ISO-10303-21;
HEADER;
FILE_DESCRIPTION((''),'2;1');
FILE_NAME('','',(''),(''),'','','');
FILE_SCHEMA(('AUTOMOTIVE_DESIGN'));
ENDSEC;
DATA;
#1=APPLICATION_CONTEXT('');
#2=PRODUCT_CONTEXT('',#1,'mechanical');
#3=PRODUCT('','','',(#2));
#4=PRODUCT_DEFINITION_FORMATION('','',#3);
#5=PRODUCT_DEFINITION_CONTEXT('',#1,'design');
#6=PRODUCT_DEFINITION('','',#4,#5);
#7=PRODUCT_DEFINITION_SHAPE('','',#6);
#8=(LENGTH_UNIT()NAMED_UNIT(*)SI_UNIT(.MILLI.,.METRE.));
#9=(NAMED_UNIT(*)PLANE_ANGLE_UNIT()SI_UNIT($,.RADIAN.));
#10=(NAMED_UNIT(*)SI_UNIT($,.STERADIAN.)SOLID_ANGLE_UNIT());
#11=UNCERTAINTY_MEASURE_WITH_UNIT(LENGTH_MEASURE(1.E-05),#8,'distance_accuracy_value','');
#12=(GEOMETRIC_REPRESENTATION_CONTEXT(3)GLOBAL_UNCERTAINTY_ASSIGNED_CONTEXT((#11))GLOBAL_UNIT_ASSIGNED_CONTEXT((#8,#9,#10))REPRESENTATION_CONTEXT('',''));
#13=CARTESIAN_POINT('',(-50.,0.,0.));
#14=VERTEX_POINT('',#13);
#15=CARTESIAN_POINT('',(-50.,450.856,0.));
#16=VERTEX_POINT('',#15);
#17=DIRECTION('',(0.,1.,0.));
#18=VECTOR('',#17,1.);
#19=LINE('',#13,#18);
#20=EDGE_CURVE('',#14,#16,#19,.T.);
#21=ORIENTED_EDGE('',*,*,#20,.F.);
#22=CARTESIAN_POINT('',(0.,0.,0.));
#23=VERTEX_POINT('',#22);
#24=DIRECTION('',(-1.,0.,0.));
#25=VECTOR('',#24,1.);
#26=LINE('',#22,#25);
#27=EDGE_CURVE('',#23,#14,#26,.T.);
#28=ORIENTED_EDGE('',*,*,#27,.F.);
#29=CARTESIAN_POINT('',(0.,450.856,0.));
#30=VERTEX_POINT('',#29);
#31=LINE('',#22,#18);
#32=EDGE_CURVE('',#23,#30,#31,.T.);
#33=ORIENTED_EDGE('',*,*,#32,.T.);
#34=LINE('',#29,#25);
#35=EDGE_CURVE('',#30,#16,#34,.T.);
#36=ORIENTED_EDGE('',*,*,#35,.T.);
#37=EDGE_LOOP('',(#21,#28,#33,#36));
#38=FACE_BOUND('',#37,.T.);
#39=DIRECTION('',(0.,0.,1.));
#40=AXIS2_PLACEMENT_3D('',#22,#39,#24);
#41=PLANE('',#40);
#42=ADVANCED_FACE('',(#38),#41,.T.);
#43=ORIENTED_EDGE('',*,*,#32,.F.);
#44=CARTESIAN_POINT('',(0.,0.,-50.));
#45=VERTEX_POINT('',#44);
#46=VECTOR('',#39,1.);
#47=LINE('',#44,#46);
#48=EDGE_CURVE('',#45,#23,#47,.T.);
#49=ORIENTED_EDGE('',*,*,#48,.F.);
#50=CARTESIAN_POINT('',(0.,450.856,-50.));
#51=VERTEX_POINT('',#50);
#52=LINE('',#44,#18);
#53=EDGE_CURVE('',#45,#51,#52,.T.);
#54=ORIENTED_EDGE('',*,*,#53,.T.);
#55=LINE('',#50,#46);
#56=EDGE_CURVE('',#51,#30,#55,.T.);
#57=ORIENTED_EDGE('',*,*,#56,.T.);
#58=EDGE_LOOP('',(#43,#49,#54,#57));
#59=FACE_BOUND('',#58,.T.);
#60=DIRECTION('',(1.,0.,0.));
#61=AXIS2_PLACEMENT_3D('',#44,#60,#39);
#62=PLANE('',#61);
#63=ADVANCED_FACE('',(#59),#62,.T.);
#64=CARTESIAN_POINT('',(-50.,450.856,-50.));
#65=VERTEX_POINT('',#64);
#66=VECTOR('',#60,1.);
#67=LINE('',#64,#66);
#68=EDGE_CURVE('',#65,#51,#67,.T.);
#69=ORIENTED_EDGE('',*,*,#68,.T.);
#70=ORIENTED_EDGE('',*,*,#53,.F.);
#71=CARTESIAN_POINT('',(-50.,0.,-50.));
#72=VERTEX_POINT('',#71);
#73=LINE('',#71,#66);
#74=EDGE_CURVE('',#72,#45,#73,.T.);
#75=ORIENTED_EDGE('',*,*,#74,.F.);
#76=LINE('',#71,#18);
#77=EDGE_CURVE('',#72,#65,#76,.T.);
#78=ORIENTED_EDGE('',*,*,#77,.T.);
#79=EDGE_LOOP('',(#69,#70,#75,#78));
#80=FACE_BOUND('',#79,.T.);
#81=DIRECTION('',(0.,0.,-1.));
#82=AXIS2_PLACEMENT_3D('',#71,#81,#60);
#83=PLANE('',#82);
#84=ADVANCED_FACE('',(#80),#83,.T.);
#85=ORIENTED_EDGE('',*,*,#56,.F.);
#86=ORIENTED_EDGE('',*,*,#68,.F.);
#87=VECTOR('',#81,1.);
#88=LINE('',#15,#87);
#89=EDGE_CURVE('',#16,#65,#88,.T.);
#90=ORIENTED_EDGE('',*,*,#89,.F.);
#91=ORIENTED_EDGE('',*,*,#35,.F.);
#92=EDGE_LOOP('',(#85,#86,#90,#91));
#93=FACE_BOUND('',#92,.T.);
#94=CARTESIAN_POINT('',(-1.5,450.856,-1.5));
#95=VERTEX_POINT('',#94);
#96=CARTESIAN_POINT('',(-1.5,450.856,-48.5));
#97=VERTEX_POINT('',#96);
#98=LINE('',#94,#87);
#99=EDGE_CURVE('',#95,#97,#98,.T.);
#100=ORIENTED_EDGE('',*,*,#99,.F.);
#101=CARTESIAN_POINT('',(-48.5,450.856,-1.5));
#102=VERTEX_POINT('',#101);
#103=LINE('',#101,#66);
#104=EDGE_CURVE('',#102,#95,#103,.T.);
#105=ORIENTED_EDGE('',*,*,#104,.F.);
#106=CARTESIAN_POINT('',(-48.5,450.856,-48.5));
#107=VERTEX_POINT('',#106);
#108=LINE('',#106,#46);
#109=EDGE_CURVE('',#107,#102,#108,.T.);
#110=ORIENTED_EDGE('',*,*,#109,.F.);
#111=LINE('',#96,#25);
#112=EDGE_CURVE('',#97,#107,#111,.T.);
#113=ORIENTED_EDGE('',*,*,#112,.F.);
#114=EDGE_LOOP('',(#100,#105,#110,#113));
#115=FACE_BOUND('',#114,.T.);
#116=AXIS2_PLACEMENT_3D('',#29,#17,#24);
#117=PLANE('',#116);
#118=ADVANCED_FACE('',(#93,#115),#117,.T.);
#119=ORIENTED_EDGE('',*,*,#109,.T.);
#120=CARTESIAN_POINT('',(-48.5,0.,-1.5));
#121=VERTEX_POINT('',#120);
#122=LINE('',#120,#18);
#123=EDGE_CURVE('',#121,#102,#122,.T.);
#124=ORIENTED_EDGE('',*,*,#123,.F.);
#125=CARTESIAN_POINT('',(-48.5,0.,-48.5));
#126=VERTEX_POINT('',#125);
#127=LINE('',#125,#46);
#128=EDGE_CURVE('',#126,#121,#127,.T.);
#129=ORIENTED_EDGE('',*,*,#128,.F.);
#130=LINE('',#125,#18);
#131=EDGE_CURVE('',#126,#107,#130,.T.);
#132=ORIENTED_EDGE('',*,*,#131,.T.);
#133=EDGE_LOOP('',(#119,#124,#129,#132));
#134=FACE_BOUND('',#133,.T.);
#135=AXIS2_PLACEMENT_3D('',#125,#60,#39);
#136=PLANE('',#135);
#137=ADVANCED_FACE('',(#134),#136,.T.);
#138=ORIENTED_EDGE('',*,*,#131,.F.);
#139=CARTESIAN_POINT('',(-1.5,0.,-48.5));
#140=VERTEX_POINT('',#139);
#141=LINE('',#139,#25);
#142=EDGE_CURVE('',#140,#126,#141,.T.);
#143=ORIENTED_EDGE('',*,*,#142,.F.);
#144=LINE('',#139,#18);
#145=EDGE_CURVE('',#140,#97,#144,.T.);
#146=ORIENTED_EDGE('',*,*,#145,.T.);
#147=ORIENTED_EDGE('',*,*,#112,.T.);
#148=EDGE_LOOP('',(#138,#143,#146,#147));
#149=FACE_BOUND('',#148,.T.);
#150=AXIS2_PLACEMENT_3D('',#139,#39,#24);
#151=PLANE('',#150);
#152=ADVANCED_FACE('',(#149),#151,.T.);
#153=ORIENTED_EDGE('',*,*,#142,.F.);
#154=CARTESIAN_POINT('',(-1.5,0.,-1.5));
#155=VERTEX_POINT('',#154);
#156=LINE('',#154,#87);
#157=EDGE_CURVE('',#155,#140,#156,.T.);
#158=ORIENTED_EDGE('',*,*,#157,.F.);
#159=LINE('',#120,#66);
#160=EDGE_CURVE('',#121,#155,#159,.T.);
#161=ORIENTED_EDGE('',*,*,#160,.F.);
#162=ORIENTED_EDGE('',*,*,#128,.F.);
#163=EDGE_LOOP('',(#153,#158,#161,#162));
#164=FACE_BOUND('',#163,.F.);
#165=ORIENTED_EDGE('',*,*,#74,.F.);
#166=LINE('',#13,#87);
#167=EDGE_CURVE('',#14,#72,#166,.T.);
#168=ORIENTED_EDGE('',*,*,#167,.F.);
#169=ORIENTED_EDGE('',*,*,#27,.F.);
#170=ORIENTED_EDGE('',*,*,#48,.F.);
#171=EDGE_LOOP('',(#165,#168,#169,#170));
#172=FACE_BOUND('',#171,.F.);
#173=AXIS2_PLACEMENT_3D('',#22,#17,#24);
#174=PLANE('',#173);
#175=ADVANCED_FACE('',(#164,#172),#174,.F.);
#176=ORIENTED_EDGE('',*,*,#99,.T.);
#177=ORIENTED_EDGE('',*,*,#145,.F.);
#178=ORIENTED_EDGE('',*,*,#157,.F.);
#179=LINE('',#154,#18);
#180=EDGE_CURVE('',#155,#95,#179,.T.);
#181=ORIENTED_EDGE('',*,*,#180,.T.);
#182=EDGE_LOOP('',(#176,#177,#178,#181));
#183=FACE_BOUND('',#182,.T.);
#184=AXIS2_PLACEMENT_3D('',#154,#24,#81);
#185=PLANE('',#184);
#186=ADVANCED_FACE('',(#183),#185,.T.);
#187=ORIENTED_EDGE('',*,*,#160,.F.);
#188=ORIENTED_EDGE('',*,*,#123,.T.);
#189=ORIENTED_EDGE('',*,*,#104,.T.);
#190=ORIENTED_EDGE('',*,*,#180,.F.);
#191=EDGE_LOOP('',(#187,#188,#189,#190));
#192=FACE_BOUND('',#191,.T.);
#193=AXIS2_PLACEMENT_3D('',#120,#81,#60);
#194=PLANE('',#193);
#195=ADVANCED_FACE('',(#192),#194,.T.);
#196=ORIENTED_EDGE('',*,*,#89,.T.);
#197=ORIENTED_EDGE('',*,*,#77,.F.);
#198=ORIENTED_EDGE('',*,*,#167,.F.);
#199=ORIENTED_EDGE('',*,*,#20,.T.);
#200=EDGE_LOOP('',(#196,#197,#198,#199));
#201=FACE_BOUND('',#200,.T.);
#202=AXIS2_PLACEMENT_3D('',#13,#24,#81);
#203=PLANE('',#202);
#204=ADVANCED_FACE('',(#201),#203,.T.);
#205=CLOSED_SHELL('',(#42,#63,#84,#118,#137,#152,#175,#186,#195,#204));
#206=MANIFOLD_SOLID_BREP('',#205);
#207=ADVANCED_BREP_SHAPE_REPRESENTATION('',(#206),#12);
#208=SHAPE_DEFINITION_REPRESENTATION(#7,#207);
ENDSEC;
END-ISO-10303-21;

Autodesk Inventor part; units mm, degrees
ref_plane "YZ Plane" through (0, 0, 0) normal (1, 0, 0) x (0, 1, 0)
ref_plane "XZ Plane" through (0, 0, 0) normal (0, 1, 0) x (-1, 0, 0)
ref_plane "XY Plane" through (0, 0, 0) normal (0, 0, 1) x (1, 0, 0)
sketch "Boceto1" plane through (0, 0, 0) normal (0, 1, 0) x (-1, 0, 0)
  line L0 (0, 0) -> (50, 0)
  line L1 (50, 0) -> (50, -50)
  line L2 (50, -50) -> (0, -50)
  line L3 (0, -50) -> (0, 0)
  line L4 (1.5, -48.5) -> (48.5, -48.5)
  line L5 (48.5, -48.5) -> (48.5, -1.5)
  line L6 (48.5, -1.5) -> (1.5, -1.5)
  line L7 (1.5, -1.5) -> (1.5, -48.5)
  line L8 (1.5, -48.5) -> (48.5, -1.5) construction
  line L9 (48.5, -48.5) -> (1.5, -1.5) construction
  point P0 (25, -25)
  dimension "d0" = 50
  dimension "d1" = 50
  dimension "d6" = 1.5
  dimension "d7" = 1.5
  dimension "d8" = 1.5
  dimension "d9" = 1.5
extrude "Extrusión1" add sketch "Boceto1" along normal blind 450.856
equation "\"d0\" = d1"
equation "\"d7\" = d6"
equation "\"d8\" = d6"
equation "\"d9\" = d6"
properties part number "Mesa_base2"
